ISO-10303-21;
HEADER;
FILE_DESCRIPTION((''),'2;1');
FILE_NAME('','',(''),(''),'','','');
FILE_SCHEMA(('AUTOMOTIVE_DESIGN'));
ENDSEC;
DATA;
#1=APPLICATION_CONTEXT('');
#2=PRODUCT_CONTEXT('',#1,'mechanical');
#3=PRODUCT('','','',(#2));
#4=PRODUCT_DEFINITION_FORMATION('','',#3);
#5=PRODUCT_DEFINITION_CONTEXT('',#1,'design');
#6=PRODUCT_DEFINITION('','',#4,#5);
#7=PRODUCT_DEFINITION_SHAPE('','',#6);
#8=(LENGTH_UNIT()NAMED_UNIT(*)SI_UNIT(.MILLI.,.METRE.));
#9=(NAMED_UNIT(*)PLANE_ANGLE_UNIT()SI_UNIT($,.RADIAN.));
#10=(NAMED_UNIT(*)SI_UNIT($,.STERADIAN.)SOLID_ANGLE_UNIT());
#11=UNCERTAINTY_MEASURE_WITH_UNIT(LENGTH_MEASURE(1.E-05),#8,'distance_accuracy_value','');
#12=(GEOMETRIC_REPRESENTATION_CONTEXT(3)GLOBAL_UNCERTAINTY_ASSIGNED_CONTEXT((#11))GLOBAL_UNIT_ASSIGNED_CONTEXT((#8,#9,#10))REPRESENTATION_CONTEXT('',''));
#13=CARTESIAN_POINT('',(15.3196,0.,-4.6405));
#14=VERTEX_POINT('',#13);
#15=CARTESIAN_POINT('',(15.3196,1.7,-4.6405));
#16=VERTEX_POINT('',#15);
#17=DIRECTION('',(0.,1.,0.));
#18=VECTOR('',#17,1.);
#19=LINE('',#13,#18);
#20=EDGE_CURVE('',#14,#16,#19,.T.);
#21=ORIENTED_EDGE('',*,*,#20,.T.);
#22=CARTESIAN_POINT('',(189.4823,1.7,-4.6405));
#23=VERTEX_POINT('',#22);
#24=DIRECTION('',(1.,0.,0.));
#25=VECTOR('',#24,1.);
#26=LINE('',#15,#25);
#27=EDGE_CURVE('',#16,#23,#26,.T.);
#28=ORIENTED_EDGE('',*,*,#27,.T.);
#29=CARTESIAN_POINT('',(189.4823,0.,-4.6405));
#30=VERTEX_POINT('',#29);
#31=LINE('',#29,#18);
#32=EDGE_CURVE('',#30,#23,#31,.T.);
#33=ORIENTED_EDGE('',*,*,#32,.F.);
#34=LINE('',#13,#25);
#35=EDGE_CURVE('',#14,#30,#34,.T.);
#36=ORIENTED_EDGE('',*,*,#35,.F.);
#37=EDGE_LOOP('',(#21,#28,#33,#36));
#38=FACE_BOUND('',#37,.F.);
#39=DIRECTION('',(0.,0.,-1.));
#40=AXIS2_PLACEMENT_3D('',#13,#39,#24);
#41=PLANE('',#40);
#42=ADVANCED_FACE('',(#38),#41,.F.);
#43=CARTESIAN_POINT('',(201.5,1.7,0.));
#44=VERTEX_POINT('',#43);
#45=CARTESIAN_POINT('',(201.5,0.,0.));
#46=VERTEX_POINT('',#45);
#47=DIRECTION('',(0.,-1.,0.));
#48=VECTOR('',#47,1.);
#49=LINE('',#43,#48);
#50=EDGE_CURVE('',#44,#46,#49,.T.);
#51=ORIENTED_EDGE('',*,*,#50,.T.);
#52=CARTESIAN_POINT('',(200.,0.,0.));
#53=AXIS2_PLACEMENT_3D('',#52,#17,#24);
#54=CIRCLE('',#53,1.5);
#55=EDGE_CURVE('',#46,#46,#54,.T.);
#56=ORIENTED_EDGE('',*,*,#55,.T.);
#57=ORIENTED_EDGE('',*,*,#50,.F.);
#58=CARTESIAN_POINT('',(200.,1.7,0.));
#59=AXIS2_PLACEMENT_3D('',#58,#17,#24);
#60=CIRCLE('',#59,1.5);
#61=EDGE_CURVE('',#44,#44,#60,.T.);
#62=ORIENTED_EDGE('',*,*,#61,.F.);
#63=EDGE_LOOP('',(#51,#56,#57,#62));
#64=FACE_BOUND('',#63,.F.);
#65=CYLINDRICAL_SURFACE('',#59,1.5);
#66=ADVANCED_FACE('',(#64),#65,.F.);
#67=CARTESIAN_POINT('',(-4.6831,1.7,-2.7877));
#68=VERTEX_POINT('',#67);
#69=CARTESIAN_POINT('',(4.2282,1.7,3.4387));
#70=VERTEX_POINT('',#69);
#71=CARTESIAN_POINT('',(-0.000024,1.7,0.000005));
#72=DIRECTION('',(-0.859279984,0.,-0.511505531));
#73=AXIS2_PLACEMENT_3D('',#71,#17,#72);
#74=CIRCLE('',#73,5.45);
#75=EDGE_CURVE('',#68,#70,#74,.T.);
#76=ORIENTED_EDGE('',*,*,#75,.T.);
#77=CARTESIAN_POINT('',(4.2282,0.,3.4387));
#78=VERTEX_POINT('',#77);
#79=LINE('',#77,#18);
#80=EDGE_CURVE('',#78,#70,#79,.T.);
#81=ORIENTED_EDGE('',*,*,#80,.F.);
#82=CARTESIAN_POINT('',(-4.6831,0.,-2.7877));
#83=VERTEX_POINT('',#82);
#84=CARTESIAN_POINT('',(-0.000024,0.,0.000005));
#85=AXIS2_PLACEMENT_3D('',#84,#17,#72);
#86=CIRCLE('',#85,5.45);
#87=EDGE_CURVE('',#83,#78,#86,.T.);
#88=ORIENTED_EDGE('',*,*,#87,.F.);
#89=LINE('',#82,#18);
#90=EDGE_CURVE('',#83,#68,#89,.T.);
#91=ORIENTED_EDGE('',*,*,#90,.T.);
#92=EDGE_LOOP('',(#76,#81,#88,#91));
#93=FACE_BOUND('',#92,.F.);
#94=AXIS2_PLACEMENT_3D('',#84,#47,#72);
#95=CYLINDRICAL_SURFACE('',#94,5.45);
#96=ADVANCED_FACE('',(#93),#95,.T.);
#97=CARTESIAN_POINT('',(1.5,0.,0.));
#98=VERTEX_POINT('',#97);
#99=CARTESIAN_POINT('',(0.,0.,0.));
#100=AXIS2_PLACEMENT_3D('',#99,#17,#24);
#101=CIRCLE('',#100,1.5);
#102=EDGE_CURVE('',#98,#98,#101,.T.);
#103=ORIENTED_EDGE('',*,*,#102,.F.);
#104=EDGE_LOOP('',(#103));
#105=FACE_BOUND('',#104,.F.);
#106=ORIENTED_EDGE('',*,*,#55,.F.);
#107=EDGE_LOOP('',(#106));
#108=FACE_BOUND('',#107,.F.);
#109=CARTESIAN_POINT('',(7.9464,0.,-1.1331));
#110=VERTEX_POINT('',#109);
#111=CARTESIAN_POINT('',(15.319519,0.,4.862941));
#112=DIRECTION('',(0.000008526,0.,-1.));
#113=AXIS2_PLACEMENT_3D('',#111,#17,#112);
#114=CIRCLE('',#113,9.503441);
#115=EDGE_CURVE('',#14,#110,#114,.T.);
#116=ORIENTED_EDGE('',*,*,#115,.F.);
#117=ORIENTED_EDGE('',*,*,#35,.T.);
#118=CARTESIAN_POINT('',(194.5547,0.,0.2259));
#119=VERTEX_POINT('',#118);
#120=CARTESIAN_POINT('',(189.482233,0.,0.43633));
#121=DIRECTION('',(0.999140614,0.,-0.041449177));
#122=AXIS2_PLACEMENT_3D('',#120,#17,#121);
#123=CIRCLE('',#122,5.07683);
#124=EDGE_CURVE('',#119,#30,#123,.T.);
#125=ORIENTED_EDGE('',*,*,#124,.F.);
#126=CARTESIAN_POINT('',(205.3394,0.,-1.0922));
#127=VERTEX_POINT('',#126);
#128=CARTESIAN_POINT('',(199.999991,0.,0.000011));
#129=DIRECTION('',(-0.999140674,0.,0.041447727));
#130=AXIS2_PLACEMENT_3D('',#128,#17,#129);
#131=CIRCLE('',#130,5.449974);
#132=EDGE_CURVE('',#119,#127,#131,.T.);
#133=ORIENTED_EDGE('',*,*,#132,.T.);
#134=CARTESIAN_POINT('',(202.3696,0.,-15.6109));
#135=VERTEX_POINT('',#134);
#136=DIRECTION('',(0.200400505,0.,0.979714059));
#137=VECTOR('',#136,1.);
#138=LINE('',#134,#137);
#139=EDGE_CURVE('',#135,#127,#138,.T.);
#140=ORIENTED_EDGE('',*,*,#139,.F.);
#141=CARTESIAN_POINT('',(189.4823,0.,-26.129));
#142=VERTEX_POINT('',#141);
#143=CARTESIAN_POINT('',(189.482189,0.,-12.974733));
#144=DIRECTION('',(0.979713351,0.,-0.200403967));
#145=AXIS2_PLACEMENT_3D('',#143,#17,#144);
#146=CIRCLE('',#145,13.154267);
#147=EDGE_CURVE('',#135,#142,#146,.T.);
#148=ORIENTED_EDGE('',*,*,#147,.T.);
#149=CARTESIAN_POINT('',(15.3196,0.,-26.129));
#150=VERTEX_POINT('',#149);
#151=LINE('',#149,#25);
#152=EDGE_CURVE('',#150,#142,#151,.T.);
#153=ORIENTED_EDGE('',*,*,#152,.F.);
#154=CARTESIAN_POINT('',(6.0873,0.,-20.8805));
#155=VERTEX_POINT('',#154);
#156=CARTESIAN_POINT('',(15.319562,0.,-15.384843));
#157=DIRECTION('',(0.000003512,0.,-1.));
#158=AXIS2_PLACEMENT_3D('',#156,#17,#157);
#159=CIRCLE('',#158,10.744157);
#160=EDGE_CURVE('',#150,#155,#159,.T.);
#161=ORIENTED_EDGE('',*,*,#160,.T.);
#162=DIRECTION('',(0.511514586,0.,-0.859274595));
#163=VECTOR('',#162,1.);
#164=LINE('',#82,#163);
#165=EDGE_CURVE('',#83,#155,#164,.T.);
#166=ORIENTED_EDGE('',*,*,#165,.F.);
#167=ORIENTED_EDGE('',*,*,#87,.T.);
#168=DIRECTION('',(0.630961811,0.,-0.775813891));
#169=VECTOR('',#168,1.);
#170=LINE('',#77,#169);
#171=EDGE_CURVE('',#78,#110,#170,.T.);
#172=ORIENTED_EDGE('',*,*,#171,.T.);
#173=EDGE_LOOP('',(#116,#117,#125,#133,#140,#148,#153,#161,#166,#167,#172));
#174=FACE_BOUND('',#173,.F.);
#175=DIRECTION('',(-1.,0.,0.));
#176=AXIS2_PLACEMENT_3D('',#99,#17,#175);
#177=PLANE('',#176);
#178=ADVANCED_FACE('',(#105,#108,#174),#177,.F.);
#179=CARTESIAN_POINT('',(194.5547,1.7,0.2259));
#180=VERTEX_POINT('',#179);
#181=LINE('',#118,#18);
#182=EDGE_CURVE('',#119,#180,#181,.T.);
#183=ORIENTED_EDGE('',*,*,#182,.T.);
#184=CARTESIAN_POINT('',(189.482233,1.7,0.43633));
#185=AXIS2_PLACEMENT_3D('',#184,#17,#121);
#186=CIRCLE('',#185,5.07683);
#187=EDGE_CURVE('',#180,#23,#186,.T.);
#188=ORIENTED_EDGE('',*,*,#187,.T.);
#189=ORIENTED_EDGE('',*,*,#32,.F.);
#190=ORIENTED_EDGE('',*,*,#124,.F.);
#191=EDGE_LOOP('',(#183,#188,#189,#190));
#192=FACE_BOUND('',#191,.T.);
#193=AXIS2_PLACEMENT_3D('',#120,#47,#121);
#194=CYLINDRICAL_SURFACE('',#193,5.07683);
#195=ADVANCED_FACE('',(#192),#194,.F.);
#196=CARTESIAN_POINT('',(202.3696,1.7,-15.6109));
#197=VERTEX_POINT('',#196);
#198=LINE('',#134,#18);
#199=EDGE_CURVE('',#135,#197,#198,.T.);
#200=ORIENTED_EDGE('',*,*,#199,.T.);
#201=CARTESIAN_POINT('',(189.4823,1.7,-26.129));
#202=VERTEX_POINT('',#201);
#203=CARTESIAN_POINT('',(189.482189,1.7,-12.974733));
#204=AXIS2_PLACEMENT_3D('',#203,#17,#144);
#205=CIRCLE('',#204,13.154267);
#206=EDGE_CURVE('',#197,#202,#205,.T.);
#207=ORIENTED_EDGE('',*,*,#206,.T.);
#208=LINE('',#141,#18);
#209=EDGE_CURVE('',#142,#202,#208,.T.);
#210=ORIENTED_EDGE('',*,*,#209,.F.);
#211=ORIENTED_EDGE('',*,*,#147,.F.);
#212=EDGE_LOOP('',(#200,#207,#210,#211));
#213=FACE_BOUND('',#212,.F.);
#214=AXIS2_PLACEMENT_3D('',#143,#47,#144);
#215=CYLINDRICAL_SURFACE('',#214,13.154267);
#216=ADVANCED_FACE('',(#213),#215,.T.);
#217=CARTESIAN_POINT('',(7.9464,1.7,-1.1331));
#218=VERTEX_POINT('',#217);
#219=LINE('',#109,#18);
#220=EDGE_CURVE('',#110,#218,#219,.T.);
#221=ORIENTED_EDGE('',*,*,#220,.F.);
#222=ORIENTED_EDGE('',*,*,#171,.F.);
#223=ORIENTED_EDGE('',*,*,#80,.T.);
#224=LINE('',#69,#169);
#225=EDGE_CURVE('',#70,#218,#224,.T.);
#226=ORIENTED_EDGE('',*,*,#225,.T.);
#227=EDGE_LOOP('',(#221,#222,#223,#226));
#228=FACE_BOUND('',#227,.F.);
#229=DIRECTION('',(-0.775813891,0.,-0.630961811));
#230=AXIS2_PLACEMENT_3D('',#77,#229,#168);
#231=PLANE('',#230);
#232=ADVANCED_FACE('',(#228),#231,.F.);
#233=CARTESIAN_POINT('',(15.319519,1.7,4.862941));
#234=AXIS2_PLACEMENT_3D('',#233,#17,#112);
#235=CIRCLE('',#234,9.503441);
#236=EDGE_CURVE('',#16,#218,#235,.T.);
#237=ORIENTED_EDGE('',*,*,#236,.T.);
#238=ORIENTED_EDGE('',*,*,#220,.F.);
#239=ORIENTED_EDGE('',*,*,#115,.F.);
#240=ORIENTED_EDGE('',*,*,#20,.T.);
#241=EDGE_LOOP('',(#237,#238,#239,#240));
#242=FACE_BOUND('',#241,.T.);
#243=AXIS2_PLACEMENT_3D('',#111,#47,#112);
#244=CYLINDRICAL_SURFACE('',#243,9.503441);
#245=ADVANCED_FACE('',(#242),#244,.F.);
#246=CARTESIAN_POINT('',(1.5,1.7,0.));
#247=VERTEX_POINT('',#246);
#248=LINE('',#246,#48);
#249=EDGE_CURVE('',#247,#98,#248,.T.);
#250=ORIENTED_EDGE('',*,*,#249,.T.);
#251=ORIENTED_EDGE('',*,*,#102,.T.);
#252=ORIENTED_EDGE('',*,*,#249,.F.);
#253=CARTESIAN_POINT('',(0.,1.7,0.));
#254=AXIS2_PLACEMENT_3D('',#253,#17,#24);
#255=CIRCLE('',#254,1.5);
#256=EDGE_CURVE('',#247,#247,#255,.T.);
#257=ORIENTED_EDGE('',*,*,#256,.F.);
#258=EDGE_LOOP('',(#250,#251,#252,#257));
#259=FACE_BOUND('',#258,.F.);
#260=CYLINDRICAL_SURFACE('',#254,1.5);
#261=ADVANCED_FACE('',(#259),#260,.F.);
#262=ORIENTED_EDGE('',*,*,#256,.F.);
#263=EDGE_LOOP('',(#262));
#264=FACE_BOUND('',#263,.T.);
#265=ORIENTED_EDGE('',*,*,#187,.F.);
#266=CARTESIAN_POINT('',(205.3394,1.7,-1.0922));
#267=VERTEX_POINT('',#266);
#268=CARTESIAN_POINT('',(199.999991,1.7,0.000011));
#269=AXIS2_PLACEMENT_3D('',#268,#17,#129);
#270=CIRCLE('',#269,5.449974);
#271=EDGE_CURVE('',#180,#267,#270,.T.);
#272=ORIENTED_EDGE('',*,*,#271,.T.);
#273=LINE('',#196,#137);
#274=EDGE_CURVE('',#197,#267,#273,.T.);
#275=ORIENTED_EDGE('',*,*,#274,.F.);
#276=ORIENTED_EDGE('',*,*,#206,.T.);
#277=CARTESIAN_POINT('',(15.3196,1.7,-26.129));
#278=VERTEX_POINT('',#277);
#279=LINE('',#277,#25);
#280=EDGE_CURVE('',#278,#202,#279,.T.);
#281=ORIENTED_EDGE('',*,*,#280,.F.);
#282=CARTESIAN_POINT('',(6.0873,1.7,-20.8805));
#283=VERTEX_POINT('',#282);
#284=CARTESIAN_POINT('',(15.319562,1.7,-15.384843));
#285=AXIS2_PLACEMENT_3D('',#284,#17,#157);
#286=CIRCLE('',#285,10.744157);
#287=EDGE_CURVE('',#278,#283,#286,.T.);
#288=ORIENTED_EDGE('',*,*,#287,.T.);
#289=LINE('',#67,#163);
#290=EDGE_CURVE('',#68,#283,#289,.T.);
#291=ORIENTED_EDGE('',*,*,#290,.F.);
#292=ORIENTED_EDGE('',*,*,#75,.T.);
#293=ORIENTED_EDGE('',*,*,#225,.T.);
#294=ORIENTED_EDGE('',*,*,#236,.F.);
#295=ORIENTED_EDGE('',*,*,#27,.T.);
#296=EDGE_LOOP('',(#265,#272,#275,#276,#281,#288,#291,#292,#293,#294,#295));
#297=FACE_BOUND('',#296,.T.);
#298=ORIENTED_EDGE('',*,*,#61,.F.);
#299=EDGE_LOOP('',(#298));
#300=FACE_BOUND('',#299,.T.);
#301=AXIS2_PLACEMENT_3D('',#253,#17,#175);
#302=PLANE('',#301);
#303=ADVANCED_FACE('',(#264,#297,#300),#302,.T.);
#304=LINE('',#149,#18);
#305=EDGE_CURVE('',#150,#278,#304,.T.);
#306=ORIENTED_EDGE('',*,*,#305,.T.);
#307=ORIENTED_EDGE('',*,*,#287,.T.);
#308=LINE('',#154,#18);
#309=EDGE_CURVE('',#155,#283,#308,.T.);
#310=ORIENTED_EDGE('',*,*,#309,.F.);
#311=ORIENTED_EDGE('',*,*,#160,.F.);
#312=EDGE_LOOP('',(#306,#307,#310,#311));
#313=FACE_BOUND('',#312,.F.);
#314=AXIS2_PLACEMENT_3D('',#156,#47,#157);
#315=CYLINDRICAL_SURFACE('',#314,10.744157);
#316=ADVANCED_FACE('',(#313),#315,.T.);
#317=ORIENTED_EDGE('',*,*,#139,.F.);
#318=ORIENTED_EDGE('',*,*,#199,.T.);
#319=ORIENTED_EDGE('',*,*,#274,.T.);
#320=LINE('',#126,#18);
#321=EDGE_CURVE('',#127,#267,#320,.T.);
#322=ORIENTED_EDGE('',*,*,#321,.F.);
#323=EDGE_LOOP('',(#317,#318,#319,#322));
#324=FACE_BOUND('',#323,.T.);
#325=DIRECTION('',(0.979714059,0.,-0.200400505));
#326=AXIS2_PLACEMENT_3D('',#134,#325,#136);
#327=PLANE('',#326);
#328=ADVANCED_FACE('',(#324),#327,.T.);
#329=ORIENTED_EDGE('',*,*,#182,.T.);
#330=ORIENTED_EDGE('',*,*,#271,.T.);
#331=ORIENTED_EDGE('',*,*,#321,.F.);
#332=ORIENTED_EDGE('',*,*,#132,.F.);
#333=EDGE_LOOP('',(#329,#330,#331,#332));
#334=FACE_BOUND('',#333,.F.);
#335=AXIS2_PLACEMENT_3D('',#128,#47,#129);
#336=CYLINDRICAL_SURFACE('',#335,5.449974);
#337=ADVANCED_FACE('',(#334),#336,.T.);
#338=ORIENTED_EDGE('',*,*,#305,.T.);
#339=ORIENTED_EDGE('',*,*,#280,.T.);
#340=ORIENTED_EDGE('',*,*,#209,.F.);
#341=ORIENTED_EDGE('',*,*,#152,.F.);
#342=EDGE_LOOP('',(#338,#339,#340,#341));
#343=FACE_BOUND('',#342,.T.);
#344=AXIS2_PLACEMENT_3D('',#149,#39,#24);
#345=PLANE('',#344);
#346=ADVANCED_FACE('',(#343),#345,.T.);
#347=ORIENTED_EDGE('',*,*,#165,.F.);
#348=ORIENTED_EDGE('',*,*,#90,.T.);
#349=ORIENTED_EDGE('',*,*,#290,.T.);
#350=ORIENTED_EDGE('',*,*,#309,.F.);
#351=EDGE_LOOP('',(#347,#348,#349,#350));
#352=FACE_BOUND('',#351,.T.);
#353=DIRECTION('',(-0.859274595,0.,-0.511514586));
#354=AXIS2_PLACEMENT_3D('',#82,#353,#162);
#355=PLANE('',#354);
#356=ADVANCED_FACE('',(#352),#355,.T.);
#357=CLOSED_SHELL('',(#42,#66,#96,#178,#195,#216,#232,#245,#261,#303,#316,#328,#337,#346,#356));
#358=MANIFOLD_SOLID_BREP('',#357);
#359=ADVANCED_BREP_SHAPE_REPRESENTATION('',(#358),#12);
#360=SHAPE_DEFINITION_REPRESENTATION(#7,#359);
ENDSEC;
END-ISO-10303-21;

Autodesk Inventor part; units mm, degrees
ref_plane "YZ Plane" through (0, 0, 0) normal (1, 0, 0) x (0, 1, 0)
ref_plane "XZ Plane" through (0, 0, 0) normal (0, 1, 0) x (-1, 0, 0)
ref_plane "XY Plane" through (0, 0, 0) normal (0, 0, 1) x (1, 0, 0)
sketch "Sketch1" plane through (0, 0, 0) normal (0, 1, 0) x (-1, 0, 0)
  arc A0 (4.6831, -2.7877) -> (-4.2282, 3.4387) centre (0, 0) ccw
  line L0 (4.6831, -2.7877) -> (-6.0873, -20.8805)
  line L1 (-4.2282, 3.4387) -> (-7.9464, -1.1331)
  arc A1 (-15.3196, -26.129) -> (-6.0873, -20.8805) centre (-15.3196, -15.3847) ccw
  arc A2 (-15.3196, -4.6405) -> (-7.9464, -1.1331) centre (-15.3196, 4.8633) ccw
  line L2 (-15.3196, -26.129) -> (-189.4823, -26.129)
  line L3 (-15.3196, -4.6405) -> (-189.4823, -4.6405)
  arc A3 (-194.5547, 0.2259) -> (-205.3394, -1.0922) centre (-200, 0) ccw
  arc A4 (-194.5547, 0.2259) -> (-189.4823, -4.6405) centre (-189.4823, 0.4363) ccw
  arc A5 (-202.3696, -15.6109) -> (-189.4823, -26.129) centre (-189.4823, -12.9748) ccw
  line L4 (-202.3696, -15.6109) -> (-205.3394, -1.0922)
  point P0 (-6.0873, 1.1528)
  point P1 (-10.0096, -24.7251)
  point P2 (-0.7021, -11.8341)
  dimension "d0" = 10.9
  dimension "d1" = 10.9
  dimension "d2" = 200
  dimension "d3" = 0
  dimension "d6" = 0
  dimension "d7" = 0
  dimension "d8" = 0
  dimension "d9" = 174.1627
  dimension "d10" = 9.3075
  dimension "d11" = 13.1542
extrude "Extrusion1" add sketch "Sketch1" along normal blind 1.7
sketch "Sketch2" plane through (0, 1.7, 0) normal (0, 1, 0) x (1, 0, 0)
  arc A0 (-4.6831, 2.7877) -> (4.2282, -3.4387) centre (0, 0) ccw projected
  circle A1 centre (0, 0) radius 1.5
  arc A2 (194.5547, -0.2259) -> (205.3394, 1.0922) centre (200, 0) ccw projected
  circle A3 centre (200, 0) radius 1.5
  dimension "d14" = 3
  dimension "d15" = 3
extrude "Extrusion2" cut sketch "Sketch2" against normal blind 1.7
equation "\"BendRadius\" = Thickness"
equation "\"BendReliefWidth\" = Thickness"
equation "\"BendReliefDepth\" = 0.5 * Thickness"
equation "\"CornerReliefSize\" = 4 * Thickness"
equation "\"MinimumRemnant\" = 2 * Thickness"
equation "\"TransitionRadius\" = BendRadius"
equation "\"JacobiRadiusSize\" = BendRadius"
equation "\"GapSize\" = Thickness"
equation "\"Thickness\" = 3.048"
properties part number "A3P1"
